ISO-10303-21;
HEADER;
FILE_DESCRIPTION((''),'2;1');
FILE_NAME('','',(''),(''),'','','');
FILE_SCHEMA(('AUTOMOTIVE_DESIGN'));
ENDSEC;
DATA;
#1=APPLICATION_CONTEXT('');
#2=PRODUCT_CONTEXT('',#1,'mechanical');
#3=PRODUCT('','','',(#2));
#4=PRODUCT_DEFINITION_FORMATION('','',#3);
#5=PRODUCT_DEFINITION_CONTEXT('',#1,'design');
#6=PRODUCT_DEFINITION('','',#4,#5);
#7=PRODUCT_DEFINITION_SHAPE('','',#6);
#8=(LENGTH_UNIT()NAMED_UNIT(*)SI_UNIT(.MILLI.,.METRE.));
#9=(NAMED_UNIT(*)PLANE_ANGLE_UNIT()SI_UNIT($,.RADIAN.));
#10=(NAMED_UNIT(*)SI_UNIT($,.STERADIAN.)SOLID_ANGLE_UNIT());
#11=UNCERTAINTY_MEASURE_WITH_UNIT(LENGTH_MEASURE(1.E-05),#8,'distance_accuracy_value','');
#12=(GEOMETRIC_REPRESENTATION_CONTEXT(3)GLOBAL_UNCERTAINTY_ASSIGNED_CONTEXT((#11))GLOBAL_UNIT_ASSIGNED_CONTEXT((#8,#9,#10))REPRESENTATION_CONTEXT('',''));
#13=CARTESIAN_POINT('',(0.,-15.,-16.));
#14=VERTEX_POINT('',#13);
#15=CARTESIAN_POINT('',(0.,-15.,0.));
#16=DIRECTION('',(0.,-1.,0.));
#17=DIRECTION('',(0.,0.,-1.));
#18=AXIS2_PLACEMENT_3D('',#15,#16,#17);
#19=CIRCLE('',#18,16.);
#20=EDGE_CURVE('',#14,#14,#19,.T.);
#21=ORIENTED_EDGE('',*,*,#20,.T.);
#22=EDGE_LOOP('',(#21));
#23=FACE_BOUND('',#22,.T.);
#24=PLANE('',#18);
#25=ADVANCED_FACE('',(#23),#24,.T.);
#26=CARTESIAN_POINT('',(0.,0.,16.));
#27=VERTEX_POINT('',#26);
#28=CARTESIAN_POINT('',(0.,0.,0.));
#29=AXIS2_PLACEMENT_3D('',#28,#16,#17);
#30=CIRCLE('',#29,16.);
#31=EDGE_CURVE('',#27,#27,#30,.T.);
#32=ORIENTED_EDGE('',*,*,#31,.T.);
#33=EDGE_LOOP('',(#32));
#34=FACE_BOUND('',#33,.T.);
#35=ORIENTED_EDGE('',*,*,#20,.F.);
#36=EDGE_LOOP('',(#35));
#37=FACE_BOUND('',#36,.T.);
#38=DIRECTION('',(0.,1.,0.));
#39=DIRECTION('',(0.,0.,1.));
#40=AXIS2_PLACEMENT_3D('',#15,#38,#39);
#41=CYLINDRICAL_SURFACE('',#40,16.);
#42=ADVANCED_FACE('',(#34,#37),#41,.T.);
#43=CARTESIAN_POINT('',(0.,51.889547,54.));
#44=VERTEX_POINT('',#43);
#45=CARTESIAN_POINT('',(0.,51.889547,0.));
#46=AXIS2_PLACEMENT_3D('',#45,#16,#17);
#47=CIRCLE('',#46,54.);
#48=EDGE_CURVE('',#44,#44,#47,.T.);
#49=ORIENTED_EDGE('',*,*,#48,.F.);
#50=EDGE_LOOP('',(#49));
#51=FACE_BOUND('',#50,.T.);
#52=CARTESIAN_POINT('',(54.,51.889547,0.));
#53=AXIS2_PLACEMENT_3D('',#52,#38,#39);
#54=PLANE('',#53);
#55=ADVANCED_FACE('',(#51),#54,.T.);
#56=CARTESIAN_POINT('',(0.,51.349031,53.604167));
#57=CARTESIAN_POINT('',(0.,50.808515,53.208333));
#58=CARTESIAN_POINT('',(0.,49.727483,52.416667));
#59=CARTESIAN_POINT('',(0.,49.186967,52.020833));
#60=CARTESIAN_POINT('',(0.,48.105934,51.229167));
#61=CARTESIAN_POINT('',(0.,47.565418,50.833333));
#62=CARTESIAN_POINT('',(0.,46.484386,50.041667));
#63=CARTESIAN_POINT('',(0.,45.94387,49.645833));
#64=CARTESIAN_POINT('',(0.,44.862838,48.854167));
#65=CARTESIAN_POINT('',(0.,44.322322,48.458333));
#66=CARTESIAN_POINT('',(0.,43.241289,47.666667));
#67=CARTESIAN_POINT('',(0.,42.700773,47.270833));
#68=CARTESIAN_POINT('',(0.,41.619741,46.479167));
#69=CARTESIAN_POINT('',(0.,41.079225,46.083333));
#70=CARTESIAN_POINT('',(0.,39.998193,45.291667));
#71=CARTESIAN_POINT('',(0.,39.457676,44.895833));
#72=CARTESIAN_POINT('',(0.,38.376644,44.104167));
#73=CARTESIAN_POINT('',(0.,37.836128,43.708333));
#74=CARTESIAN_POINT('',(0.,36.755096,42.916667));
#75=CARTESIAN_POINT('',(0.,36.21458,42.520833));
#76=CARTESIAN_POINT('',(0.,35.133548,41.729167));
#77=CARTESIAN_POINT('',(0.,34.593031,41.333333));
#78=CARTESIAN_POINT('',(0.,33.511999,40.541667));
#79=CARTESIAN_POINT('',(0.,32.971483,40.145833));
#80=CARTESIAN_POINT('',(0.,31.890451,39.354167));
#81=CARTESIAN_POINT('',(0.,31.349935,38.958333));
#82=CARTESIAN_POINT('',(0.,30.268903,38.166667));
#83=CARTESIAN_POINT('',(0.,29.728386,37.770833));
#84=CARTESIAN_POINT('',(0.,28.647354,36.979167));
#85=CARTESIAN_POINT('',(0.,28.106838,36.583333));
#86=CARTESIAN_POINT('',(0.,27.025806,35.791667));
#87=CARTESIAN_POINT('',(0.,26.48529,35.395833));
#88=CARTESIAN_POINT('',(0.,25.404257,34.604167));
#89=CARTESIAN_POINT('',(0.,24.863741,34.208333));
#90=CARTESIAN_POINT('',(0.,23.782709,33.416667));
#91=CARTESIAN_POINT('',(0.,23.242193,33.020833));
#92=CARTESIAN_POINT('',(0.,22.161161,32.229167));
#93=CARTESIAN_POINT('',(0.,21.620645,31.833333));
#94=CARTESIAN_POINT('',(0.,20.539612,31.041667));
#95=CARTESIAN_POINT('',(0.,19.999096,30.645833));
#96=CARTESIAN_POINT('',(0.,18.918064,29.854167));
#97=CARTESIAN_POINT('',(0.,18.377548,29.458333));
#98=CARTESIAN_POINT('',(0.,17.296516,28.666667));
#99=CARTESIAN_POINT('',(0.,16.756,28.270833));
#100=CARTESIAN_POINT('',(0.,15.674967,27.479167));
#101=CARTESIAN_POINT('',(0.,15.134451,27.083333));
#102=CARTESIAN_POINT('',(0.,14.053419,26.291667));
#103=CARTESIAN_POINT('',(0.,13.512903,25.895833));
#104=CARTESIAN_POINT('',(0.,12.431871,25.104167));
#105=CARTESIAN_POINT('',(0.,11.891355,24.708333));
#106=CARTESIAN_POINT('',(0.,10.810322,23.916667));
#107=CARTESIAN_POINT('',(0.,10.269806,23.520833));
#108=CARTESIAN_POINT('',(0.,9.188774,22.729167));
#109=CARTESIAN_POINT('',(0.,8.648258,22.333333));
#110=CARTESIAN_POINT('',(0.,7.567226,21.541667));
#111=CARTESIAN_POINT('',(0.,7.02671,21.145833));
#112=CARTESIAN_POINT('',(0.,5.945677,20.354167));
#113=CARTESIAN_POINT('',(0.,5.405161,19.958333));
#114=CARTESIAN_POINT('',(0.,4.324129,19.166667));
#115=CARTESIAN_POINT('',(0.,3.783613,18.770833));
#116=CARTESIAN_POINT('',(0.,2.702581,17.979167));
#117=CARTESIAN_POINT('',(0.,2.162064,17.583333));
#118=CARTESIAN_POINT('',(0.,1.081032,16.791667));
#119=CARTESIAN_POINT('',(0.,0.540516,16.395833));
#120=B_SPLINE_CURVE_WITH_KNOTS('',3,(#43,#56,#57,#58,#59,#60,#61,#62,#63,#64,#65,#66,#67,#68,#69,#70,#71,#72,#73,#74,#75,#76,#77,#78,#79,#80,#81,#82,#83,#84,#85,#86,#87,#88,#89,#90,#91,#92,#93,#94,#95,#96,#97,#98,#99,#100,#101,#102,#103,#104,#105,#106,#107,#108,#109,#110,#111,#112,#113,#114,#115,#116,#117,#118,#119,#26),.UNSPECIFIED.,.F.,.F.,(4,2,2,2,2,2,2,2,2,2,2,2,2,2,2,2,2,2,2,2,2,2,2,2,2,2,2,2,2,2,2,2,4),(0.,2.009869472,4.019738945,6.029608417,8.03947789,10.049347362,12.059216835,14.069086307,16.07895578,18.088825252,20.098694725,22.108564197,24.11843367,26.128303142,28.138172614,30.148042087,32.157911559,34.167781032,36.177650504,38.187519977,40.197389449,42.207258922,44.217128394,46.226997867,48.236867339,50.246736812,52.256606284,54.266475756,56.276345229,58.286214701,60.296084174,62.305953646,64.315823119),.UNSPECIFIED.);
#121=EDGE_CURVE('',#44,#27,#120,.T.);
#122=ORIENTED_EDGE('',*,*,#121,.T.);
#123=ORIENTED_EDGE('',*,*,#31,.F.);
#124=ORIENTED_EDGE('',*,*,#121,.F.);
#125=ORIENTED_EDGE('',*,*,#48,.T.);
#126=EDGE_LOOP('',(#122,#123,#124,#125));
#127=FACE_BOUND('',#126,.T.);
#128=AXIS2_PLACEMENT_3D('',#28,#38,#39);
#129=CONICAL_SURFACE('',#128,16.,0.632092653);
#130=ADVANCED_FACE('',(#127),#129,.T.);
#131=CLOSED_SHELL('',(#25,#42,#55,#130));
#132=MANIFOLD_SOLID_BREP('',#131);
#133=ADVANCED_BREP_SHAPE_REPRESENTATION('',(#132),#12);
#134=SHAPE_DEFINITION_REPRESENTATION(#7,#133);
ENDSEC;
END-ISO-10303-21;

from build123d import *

# Parameters (mm, degrees)
SKETCH2_R           = 16
BOSS_EXTRUDE1_DEPTH = 15


with BuildPart() as part:
    # Sketch1 → Revolve1 (revolve)
    with BuildSketch(Plane.XY, mode=Mode.PRIVATE) as revolve1_sk:
        Polygon((0, 0), (16, 0), (54, 51.88954715), (0, 51.88954715), align=None)
    revolve(revolve1_sk.sketch.rotate(Axis((0, -12.448515581, 0), (0, 1, 0)), 270), axis=Axis((0, -12.448515581, 0), (0, 1, 0)))

    # Sketch2 → Boss-Extrude1 (add)
    with BuildSketch(Plane.XZ):
        with Locations(Location((0, 0, 0), (0, 0, 90))):
            Circle(SKETCH2_R)
    extrude(amount=BOSS_EXTRUDE1_DEPTH)


solid = part.part
